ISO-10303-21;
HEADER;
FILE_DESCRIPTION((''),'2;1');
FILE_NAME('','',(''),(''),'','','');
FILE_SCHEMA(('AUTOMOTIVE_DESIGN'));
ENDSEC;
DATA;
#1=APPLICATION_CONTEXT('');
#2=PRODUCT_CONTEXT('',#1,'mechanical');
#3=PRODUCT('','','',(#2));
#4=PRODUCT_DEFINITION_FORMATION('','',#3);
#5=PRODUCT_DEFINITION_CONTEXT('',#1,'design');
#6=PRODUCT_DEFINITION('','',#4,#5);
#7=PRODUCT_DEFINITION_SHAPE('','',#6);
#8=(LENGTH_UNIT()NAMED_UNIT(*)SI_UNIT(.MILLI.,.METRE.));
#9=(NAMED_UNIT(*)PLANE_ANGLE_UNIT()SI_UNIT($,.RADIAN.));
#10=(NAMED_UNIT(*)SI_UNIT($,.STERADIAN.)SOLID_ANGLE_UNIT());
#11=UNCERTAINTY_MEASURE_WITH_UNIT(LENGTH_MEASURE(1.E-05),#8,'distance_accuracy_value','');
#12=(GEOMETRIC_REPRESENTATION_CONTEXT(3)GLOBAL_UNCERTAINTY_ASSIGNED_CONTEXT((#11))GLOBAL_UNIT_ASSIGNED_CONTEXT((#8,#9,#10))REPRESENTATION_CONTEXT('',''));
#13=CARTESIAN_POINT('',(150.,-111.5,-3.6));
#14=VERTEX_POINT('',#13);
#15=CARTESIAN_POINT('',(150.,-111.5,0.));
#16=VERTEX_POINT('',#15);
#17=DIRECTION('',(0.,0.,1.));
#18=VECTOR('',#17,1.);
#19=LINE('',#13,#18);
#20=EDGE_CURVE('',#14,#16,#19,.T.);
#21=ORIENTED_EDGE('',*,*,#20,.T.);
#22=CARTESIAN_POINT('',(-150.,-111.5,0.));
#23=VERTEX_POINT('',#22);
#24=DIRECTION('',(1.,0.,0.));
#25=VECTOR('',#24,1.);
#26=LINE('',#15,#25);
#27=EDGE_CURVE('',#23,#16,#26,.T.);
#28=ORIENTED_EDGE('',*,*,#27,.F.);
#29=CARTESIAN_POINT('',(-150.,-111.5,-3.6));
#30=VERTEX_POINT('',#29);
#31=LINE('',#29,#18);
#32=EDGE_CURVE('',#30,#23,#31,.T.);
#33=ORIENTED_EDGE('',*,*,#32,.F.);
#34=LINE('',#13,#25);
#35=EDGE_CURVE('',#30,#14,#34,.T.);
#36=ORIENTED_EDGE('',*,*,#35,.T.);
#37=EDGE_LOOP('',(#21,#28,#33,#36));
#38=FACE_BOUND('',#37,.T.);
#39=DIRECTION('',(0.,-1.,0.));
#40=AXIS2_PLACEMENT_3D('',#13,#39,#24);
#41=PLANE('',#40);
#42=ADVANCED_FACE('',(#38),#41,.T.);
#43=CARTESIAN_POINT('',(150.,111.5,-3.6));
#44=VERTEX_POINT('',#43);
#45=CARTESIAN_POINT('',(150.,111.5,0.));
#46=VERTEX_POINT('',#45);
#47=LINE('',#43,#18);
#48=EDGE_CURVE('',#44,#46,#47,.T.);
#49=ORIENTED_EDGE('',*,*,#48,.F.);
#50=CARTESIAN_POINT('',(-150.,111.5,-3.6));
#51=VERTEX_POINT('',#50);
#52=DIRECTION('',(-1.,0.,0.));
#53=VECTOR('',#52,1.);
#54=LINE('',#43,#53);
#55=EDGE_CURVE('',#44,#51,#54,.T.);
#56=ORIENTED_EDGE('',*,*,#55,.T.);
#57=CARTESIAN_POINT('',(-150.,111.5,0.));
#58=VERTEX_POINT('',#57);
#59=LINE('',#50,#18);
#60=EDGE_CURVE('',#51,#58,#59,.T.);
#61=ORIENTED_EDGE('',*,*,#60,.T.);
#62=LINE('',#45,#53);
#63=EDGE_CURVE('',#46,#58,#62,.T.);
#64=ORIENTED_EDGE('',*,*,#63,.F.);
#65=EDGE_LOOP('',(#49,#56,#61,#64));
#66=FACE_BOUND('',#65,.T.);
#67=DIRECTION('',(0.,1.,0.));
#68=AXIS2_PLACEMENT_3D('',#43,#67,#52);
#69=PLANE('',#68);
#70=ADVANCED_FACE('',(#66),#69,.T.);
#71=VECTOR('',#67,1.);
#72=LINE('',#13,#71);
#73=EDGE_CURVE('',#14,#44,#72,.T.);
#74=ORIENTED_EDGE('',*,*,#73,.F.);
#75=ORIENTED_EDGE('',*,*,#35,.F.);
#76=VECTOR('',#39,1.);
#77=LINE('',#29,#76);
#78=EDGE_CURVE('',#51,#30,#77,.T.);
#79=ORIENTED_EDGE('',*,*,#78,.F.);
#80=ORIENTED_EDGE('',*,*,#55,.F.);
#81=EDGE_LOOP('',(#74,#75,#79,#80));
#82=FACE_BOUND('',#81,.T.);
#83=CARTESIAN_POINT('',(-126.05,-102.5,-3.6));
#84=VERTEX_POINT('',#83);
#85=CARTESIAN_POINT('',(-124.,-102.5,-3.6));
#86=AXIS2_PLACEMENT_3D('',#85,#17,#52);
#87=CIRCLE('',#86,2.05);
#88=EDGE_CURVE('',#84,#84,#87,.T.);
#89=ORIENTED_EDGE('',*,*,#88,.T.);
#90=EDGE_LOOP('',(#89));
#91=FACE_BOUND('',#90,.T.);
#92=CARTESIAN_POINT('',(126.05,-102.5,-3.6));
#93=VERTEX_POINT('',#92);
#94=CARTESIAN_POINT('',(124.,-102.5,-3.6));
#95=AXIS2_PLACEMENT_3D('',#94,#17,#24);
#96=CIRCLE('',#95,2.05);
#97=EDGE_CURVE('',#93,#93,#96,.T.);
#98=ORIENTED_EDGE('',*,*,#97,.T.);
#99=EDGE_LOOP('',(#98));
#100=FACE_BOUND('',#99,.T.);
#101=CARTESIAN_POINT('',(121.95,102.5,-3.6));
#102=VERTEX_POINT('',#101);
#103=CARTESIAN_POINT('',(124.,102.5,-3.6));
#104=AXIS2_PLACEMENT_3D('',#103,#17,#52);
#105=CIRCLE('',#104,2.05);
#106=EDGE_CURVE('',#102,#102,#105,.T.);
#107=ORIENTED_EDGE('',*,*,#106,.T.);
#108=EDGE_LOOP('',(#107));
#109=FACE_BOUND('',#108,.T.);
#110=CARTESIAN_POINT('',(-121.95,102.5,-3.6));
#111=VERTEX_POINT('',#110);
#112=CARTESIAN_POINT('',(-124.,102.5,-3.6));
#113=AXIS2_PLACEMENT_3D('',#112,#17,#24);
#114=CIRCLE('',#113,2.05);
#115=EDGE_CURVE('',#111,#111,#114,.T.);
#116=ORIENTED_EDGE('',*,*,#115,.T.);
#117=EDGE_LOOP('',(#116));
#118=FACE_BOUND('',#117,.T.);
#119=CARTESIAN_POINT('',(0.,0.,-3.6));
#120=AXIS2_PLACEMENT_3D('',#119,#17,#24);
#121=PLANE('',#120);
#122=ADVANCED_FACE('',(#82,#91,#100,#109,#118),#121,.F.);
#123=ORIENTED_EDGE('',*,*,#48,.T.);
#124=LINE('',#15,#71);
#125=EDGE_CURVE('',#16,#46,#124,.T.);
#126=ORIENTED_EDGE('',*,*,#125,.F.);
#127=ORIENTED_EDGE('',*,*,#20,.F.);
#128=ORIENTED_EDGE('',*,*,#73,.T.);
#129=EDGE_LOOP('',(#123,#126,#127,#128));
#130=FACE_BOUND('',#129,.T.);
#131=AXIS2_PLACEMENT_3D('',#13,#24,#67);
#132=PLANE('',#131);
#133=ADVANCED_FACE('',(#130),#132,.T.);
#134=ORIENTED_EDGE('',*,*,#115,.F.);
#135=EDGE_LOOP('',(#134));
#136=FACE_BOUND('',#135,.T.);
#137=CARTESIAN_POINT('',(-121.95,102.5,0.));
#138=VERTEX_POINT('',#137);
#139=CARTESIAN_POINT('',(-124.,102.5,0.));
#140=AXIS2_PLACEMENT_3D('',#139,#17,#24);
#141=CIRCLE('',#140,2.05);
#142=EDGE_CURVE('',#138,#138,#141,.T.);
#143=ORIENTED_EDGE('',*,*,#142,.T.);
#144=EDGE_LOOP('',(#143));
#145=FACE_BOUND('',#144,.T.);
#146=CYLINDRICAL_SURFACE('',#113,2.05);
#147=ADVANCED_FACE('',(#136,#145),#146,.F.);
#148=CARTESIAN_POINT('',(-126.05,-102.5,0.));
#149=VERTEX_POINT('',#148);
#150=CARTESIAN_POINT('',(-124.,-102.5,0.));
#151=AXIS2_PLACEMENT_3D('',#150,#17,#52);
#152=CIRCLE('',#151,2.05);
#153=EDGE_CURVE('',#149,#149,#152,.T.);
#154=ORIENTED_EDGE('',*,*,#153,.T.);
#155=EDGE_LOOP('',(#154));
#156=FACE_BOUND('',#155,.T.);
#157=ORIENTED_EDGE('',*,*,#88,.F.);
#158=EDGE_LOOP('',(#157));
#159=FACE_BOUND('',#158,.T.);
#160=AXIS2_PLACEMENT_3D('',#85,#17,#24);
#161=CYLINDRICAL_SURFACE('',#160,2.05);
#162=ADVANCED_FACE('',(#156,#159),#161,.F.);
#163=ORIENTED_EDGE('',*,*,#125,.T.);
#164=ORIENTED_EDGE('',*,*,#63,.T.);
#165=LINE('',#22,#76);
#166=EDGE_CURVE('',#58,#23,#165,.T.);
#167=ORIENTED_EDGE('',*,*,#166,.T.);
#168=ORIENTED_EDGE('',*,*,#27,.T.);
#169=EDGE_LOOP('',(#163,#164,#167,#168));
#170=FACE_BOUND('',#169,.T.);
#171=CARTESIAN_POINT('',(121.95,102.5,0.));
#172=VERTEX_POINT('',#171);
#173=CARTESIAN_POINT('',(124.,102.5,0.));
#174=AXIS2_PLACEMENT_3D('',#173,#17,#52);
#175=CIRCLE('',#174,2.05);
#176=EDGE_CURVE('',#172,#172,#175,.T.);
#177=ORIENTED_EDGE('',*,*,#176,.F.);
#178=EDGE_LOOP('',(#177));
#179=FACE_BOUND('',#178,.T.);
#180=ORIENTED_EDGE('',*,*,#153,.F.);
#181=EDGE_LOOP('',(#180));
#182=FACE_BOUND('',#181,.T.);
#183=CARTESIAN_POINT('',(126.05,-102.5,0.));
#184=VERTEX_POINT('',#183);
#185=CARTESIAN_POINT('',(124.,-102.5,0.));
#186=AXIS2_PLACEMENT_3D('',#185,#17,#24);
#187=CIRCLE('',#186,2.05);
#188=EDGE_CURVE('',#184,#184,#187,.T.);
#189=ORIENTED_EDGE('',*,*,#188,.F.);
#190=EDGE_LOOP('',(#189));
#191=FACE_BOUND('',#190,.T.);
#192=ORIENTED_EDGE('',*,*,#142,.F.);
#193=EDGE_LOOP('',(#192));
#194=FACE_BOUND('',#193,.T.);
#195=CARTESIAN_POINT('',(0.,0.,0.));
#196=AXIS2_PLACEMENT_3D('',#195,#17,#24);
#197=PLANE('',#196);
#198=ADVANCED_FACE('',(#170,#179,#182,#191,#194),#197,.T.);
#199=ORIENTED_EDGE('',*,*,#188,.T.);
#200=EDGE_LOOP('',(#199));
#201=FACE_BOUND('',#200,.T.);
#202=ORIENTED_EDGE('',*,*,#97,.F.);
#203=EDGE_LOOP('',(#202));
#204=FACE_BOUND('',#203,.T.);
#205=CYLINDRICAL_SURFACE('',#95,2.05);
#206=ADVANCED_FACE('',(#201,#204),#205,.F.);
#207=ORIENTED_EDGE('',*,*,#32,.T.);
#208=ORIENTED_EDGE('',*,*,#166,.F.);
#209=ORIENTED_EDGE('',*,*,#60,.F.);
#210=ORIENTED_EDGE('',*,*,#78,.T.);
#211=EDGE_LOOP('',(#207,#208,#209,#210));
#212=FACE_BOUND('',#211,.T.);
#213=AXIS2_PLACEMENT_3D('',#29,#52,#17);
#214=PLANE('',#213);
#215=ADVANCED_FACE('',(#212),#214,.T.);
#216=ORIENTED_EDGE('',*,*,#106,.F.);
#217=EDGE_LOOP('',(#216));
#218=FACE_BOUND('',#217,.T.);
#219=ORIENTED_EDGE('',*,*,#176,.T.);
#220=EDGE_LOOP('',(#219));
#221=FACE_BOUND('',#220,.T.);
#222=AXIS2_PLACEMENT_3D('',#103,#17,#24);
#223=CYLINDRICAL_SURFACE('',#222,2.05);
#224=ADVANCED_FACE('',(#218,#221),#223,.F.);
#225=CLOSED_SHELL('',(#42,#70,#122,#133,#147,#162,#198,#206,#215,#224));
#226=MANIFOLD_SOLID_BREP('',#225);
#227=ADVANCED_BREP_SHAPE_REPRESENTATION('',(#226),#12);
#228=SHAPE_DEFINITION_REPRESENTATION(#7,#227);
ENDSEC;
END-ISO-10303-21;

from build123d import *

# Parameters (mm, degrees)
ESQUISSE1_W        = 300
ESQUISSE1_H        = 223
ESQUISSE1_R        = 2.05
BOSS_EXTRU_1_DEPTH = 3.6


with BuildPart() as part:
    # Esquisse1 → Boss.-Extru.1 (new body)
    with BuildSketch(Plane.XY):
        Rectangle(ESQUISSE1_W, ESQUISSE1_H)
        with Locations((-124, 102.5)):
            Circle(ESQUISSE1_R, mode=Mode.SUBTRACT)
        with Locations(Location((-124, -102.5, 0), (0, 0, 180))):
            Circle(ESQUISSE1_R, mode=Mode.SUBTRACT)
        with Locations((124, -102.5)):
            Circle(ESQUISSE1_R, mode=Mode.SUBTRACT)
        with Locations(Location((124, 102.5, 0), (0, 0, 180))):
            Circle(ESQUISSE1_R, mode=Mode.SUBTRACT)
    extrude(amount=-BOSS_EXTRU_1_DEPTH)


solid = part.part
